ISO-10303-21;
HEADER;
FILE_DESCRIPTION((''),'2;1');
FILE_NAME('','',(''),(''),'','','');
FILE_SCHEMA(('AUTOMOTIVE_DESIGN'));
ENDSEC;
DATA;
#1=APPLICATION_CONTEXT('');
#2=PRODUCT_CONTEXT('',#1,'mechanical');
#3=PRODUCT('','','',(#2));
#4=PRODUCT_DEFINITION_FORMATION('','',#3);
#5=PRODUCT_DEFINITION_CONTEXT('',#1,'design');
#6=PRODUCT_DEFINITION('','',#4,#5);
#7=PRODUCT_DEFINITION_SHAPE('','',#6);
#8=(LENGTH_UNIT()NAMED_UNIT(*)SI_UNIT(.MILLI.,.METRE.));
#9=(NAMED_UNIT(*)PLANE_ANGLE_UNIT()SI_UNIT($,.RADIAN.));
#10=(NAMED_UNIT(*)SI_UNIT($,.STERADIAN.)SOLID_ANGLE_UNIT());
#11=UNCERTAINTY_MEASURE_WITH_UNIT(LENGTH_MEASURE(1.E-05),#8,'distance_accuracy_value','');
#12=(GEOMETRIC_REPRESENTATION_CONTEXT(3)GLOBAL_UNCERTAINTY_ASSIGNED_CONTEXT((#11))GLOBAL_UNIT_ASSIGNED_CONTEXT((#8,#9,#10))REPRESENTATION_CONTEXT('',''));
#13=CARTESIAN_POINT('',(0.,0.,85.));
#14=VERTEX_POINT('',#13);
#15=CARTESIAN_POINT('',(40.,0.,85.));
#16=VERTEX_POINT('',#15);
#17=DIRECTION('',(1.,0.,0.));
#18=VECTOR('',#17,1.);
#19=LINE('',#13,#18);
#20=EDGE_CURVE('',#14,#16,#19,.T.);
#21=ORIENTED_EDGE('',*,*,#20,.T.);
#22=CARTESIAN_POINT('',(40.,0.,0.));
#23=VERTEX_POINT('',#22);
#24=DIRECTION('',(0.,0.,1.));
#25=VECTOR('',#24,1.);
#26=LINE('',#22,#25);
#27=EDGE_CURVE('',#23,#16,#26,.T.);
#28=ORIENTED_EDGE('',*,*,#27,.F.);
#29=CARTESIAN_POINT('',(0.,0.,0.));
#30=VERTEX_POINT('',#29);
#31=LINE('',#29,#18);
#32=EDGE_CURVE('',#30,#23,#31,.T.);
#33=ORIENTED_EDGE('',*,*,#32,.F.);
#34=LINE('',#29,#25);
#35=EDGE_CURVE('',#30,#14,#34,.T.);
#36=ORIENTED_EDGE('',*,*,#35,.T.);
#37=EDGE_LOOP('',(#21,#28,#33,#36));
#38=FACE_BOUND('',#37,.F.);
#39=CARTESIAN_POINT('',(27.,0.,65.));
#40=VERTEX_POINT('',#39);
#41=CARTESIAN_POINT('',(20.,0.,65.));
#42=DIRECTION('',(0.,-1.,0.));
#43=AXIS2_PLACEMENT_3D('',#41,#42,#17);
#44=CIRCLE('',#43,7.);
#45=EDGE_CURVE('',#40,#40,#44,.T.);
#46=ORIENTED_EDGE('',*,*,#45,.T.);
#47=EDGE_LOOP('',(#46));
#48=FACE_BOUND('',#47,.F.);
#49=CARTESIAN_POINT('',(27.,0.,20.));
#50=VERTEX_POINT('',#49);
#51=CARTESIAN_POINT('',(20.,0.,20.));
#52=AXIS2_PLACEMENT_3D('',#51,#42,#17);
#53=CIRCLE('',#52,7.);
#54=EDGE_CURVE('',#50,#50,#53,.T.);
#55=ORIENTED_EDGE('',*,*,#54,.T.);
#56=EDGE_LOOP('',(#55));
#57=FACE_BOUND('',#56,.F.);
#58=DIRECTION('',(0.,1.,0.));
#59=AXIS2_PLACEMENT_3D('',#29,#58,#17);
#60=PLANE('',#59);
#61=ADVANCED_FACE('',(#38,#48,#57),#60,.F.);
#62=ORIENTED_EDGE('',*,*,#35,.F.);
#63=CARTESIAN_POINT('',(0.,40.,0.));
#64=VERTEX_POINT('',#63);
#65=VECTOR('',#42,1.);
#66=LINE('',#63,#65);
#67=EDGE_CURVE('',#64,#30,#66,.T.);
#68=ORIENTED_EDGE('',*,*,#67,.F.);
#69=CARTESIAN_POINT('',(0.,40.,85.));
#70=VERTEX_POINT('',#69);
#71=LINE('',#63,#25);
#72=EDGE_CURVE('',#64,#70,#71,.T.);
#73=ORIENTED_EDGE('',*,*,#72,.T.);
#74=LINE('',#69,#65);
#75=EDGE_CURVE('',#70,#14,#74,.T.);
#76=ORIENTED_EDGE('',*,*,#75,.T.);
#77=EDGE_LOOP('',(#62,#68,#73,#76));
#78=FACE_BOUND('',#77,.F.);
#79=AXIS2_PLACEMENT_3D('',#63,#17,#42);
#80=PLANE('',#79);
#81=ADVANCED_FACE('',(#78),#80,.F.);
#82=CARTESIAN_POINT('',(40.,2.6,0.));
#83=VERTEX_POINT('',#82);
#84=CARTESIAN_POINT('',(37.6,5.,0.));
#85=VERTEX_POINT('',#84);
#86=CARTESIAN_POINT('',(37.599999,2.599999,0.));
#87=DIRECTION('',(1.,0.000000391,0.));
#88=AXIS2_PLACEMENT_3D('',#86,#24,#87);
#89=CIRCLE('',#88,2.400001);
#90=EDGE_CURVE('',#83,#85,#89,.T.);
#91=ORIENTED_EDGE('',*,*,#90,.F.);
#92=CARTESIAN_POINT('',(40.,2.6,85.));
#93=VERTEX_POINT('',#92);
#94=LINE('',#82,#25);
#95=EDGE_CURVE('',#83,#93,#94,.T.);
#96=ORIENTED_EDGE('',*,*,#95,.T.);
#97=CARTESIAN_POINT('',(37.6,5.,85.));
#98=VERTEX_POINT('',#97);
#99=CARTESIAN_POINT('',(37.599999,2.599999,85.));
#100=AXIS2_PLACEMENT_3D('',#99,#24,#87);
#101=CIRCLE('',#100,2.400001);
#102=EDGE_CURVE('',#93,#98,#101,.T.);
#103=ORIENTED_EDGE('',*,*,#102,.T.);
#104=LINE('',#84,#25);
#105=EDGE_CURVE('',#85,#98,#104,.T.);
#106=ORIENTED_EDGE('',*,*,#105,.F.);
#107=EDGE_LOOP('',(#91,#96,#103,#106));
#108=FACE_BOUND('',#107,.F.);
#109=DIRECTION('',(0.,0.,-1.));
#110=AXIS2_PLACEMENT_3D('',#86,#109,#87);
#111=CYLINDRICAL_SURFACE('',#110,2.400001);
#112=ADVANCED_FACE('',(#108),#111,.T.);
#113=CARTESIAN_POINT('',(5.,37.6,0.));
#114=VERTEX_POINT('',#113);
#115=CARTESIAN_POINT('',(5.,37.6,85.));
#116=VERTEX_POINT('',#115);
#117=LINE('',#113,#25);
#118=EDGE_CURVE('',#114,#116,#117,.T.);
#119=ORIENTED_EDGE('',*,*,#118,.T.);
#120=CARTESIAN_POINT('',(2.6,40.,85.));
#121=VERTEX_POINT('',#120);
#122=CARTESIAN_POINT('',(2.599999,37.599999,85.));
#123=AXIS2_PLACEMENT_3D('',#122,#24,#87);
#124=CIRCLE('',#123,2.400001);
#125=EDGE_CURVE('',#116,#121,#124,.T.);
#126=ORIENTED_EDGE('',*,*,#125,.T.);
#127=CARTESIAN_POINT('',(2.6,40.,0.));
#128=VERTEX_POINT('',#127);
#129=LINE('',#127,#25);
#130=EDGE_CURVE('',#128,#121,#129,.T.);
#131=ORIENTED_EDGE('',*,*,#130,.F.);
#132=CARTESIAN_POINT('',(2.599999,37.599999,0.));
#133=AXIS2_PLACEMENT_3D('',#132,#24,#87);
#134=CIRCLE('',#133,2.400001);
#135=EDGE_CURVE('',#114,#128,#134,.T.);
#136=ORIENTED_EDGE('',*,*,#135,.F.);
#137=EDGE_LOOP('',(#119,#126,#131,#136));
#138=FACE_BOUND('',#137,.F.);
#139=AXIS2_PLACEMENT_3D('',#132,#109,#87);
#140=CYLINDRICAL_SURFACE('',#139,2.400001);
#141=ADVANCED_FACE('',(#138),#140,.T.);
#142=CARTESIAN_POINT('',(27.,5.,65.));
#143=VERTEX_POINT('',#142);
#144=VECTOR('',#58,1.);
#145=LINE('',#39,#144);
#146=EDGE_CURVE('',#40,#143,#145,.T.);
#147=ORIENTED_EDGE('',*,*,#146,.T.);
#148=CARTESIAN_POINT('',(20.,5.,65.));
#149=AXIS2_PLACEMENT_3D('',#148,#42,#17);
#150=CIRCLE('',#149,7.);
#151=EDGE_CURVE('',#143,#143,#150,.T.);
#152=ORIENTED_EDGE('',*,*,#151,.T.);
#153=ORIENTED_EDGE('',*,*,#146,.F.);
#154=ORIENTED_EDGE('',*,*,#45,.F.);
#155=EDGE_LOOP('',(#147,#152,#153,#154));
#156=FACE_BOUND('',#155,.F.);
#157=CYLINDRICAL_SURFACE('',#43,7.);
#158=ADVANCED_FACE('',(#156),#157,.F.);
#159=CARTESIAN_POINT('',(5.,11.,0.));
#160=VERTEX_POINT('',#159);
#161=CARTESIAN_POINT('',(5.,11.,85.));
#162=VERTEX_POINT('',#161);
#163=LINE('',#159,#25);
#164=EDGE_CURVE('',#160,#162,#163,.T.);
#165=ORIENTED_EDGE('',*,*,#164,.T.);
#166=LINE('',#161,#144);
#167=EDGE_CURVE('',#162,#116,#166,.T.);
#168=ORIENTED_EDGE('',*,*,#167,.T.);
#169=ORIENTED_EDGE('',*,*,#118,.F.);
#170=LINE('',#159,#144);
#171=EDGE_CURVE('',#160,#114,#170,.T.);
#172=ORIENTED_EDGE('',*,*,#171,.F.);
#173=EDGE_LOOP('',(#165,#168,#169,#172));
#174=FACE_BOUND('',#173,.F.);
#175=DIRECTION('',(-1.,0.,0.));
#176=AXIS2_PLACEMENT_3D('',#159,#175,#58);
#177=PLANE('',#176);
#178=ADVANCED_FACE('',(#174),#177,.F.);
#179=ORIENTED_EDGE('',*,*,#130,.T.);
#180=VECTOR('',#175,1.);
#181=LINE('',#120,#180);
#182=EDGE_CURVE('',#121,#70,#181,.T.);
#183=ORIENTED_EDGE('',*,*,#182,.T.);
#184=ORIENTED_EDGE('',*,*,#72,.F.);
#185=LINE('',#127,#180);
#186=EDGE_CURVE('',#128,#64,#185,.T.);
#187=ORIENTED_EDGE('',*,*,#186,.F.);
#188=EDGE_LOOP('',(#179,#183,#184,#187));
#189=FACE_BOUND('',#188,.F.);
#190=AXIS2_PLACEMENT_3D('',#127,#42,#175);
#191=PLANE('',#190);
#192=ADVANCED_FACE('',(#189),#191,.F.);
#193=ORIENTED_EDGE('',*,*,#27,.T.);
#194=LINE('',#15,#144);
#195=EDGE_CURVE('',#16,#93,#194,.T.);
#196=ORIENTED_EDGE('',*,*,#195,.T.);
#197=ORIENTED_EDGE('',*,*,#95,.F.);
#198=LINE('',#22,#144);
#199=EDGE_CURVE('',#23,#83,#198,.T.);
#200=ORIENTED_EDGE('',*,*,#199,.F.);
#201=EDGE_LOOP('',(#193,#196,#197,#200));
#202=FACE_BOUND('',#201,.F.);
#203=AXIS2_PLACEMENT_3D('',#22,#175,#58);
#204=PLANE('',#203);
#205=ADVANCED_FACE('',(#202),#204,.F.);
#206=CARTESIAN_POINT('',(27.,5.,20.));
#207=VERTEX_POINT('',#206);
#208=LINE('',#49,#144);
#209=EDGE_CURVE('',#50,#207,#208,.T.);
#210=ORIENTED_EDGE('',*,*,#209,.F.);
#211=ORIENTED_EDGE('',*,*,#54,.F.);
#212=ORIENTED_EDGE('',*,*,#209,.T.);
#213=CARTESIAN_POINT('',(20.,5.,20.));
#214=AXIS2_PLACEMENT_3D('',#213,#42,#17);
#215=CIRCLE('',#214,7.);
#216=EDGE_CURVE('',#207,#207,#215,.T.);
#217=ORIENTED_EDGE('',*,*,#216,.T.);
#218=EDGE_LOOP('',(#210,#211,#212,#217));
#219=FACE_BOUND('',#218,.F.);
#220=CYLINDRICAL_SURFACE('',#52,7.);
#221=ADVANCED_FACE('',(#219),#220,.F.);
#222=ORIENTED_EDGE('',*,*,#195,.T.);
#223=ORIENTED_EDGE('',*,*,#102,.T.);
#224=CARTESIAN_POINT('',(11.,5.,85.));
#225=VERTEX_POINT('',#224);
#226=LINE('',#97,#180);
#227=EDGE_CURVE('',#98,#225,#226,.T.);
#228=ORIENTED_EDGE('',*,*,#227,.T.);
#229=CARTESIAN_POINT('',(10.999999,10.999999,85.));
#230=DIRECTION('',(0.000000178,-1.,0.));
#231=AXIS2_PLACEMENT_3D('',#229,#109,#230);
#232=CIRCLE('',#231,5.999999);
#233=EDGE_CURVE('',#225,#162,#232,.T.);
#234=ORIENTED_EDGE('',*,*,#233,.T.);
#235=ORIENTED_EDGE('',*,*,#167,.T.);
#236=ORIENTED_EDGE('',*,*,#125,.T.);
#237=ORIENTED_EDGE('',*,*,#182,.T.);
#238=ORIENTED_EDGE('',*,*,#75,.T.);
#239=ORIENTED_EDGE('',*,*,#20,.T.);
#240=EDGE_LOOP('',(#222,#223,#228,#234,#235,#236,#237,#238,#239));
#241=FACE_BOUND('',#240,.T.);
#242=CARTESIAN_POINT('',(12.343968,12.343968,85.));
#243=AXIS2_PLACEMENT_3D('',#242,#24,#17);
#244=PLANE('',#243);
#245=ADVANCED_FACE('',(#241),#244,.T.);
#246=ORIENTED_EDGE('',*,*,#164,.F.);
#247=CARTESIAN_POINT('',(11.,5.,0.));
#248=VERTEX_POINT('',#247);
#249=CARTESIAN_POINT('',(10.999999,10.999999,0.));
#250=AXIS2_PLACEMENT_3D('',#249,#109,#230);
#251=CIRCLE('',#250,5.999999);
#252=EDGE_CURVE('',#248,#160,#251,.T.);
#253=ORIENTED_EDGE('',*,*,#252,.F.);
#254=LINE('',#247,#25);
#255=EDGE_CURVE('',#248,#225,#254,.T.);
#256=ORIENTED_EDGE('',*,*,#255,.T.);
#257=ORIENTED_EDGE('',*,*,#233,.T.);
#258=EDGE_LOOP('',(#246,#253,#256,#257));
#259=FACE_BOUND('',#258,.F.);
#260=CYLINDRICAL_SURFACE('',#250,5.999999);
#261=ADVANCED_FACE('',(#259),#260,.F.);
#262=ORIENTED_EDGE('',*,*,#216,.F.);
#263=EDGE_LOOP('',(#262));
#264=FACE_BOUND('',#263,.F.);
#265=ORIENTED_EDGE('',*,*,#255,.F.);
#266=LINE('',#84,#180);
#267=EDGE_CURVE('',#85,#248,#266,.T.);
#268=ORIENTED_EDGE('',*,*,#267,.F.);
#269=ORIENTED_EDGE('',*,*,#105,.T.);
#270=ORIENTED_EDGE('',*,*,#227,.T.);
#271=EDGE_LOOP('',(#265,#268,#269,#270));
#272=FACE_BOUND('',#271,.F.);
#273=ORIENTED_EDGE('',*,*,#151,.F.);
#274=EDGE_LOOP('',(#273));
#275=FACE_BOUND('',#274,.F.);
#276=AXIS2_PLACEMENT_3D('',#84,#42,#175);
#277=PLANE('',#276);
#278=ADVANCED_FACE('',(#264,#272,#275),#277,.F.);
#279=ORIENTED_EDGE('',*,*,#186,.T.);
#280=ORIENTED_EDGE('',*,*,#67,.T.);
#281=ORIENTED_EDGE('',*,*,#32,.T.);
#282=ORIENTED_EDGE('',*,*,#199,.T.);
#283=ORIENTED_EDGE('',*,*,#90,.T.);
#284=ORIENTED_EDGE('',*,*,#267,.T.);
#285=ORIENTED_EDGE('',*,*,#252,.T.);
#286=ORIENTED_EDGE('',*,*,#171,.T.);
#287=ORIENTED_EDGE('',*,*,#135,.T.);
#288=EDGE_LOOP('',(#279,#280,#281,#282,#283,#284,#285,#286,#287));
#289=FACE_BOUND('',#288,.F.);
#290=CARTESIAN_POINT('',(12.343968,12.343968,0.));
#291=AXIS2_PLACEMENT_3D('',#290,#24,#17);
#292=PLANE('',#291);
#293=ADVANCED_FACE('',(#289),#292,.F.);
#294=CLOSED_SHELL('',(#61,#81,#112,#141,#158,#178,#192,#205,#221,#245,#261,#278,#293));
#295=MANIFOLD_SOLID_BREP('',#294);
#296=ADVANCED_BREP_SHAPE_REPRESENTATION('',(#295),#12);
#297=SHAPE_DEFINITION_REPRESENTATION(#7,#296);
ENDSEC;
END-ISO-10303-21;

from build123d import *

# Parameters (mm, degrees)
F1_DEPTH = 85
F2_R     = 7
F3_DEPTH = 40.001


with BuildPart() as f1:
    # F0 (on Top) → F1 (new body)
    with BuildSketch(Plane.XY):
        with BuildLine():
            Line((0, 40), (0, 0))
            Line((0, 0), (40, 0))
            Line((40, 0), (40, 2.6))
            ThreePointArc((40, 2.6), (39.297056, 4.297056), (37.6, 5))
            Line((37.6, 5), (11, 5))
            ThreePointArc((11, 5), (6.757359, 6.757359), (5, 11))
            Line((5, 11), (5, 37.6))
            ThreePointArc((5, 37.6), (4.297056, 39.297056), (2.6, 40))
            Line((2.6, 40), (0, 40))
        make_face()
    extrude(amount=F1_DEPTH)

    # F2 (on face) → F3 (cut, through all)
    with BuildSketch(Plane.XZ):
        with Locations((20, 65)):
            Circle(F2_R)
        with Locations((20, 20)):
            Circle(F2_R)
    extrude(amount=-F3_DEPTH, mode=Mode.SUBTRACT)


solid = f1.part
